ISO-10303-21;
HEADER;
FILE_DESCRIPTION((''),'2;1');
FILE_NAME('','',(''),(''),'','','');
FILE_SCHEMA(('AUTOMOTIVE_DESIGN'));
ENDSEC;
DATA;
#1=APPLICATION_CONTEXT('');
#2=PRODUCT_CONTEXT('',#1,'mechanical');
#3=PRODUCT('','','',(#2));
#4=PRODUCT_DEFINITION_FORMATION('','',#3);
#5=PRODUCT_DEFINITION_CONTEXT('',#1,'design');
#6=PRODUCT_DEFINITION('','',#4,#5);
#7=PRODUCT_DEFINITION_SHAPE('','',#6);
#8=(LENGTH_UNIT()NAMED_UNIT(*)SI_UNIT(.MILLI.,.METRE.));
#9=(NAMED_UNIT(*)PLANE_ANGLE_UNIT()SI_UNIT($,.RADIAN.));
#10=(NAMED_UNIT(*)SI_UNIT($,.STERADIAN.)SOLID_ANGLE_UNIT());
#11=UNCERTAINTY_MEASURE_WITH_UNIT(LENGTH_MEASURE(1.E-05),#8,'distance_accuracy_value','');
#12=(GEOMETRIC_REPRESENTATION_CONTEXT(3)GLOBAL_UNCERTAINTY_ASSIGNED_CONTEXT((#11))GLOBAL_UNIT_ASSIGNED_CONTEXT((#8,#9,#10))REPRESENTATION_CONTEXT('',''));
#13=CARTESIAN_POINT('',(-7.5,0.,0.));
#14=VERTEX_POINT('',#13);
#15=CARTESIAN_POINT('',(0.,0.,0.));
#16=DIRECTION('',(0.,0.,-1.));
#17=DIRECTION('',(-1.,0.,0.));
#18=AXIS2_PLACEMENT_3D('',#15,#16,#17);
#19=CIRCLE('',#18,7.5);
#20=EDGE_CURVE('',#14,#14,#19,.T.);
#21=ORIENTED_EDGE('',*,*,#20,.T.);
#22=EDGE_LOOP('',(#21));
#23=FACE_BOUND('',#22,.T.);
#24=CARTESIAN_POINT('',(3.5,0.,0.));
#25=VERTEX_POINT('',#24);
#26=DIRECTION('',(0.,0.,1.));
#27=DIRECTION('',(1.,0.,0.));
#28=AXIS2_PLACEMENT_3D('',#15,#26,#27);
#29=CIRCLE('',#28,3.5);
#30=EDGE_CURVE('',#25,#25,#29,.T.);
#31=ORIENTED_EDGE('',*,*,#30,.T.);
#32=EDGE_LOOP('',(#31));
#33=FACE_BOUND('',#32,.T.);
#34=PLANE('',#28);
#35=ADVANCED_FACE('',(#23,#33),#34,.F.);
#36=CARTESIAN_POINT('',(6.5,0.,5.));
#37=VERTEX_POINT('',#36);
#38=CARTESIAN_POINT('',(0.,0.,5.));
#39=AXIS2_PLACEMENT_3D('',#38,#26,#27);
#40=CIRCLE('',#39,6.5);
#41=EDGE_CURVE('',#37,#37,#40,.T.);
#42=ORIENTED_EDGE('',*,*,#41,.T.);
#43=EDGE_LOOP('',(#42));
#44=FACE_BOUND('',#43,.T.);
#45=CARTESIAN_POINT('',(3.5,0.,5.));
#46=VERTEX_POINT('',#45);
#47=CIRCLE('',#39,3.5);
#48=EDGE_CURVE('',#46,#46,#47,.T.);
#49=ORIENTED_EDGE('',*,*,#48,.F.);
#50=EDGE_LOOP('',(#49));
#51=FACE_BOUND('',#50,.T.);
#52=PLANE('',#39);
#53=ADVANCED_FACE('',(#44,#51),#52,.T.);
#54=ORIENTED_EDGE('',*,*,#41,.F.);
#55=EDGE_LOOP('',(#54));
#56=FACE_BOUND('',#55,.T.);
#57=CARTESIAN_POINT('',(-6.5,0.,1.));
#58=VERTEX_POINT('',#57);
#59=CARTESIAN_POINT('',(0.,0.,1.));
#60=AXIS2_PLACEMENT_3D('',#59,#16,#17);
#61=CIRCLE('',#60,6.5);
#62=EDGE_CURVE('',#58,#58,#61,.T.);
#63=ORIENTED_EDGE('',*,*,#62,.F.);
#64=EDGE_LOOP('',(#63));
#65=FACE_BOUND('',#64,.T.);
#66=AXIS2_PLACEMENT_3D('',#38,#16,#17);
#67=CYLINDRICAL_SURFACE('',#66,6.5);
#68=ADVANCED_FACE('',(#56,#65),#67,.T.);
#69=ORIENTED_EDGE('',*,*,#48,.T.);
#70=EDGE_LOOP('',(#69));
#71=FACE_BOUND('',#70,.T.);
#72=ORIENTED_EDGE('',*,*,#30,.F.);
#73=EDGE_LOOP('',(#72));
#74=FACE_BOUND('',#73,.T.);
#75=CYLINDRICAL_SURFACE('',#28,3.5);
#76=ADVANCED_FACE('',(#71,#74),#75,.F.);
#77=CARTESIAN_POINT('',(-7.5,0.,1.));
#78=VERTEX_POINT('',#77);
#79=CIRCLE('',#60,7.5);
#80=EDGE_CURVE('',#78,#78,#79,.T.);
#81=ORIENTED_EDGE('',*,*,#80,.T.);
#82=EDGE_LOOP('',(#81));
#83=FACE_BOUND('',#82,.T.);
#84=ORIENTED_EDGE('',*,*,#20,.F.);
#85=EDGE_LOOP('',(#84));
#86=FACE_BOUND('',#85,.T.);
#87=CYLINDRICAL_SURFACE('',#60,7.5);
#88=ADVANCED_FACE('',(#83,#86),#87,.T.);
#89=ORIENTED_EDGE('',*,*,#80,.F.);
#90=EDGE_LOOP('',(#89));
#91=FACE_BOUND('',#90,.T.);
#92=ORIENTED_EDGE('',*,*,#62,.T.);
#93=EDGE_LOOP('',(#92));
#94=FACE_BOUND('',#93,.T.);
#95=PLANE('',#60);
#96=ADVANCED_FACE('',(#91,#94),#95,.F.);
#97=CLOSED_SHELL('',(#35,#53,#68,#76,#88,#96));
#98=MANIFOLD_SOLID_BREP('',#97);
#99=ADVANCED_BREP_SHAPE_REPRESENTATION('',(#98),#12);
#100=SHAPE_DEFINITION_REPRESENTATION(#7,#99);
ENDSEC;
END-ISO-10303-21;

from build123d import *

# Parameters (mm, degrees)
SKETCH_1_R          = 6.5
EXTRUDE_1_DEPTH     = 5
SKETCH_2_R          = 7.5
EXTRUDE_2_DEPTH     = 1
SKETCH_3_R          = 3.5
CUT_EXTRUDE_1_DEPTH = 12.7260394


with BuildPart() as part:
    # ｽｹｯﾁ1 → ﾎﾞｽ - 押し出し1 (new body)
    with BuildSketch(Plane.XY):
        Circle(SKETCH_1_R)
    extrude(amount=EXTRUDE_1_DEPTH)

    # ｽｹｯﾁ2 → ﾎﾞｽ - 押し出し2 (add)
    with BuildSketch(Plane(origin=(0, 0, 0), x_dir=(-1, 0, 0), z_dir=(0, 0, -1))):
        Circle(SKETCH_2_R)
    extrude(amount=-EXTRUDE_2_DEPTH)

    # ｽｹｯﾁ3 → ｶｯﾄ - 押し出し1 (cut, through all)
    with BuildSketch(Plane.XY.offset(5)):
        Circle(SKETCH_3_R)
    extrude(amount=-CUT_EXTRUDE_1_DEPTH, mode=Mode.SUBTRACT)


solid = part.part
